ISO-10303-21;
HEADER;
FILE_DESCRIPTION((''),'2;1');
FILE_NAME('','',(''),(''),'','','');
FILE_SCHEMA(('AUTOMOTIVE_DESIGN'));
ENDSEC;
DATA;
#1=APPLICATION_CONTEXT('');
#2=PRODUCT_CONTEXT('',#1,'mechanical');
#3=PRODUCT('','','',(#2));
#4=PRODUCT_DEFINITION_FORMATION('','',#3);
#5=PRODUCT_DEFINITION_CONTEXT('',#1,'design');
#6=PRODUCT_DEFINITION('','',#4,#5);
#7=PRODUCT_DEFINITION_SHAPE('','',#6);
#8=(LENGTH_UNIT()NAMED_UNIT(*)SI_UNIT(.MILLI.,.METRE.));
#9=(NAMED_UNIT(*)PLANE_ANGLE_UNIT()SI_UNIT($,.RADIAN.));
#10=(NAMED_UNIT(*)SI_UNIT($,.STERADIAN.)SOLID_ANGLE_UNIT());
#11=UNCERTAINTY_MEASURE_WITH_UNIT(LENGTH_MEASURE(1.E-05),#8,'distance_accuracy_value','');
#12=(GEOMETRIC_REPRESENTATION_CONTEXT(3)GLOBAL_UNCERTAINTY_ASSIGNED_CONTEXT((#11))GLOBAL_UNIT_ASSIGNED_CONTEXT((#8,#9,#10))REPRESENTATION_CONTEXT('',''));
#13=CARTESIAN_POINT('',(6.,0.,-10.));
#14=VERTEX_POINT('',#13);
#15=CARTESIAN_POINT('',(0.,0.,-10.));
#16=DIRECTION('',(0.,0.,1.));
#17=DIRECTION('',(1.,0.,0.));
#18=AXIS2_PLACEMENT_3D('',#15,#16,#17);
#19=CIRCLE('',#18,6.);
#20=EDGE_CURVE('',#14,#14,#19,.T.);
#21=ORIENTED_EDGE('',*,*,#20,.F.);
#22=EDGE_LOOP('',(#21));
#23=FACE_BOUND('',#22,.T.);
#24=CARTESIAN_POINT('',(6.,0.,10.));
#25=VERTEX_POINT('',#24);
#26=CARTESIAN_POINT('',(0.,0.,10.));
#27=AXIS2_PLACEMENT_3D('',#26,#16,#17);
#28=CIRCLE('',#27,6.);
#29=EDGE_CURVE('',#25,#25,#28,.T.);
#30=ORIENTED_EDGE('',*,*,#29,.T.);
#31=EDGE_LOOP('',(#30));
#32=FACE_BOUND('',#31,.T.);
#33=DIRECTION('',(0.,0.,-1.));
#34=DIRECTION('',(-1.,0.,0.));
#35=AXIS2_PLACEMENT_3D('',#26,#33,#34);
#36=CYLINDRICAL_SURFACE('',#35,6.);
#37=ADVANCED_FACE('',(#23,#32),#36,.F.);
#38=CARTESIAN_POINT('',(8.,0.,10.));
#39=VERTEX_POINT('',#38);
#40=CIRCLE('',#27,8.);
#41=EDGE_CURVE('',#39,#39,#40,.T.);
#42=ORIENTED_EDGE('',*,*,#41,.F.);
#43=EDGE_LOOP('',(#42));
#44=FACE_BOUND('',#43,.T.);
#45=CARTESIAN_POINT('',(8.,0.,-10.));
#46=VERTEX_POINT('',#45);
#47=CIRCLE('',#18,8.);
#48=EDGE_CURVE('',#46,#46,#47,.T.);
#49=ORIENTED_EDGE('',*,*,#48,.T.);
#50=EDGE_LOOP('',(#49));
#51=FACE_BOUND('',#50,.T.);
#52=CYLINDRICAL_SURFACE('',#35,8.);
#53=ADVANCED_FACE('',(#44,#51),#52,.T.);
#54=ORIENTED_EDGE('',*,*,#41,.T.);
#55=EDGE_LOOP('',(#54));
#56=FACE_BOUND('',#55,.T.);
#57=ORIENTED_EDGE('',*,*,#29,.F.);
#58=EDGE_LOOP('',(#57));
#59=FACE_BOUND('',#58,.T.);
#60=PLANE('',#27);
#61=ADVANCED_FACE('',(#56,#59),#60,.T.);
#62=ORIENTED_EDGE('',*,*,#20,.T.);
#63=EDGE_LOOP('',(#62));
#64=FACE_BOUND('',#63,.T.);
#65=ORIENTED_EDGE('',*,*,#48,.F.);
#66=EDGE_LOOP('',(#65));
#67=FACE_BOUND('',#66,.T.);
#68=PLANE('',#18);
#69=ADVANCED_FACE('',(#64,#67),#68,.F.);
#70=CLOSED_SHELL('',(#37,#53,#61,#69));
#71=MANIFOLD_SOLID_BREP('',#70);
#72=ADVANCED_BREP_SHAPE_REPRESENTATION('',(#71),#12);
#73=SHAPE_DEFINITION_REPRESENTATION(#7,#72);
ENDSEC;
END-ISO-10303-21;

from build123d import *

# Parameters (mm, degrees)
SKETCH2_R           = 8
SKETCH2_R_2         = 6
BOSS_EXTRUDE1_DEPTH = 10


with BuildPart() as part:
    # Sketch2 → Boss-Extrude1 (new, symmetric)
    with BuildSketch(Plane.XY):
        Circle(SKETCH2_R)
        Circle(SKETCH2_R_2, mode=Mode.SUBTRACT)
    extrude(amount=BOSS_EXTRUDE1_DEPTH, both=True)


solid = part.part
